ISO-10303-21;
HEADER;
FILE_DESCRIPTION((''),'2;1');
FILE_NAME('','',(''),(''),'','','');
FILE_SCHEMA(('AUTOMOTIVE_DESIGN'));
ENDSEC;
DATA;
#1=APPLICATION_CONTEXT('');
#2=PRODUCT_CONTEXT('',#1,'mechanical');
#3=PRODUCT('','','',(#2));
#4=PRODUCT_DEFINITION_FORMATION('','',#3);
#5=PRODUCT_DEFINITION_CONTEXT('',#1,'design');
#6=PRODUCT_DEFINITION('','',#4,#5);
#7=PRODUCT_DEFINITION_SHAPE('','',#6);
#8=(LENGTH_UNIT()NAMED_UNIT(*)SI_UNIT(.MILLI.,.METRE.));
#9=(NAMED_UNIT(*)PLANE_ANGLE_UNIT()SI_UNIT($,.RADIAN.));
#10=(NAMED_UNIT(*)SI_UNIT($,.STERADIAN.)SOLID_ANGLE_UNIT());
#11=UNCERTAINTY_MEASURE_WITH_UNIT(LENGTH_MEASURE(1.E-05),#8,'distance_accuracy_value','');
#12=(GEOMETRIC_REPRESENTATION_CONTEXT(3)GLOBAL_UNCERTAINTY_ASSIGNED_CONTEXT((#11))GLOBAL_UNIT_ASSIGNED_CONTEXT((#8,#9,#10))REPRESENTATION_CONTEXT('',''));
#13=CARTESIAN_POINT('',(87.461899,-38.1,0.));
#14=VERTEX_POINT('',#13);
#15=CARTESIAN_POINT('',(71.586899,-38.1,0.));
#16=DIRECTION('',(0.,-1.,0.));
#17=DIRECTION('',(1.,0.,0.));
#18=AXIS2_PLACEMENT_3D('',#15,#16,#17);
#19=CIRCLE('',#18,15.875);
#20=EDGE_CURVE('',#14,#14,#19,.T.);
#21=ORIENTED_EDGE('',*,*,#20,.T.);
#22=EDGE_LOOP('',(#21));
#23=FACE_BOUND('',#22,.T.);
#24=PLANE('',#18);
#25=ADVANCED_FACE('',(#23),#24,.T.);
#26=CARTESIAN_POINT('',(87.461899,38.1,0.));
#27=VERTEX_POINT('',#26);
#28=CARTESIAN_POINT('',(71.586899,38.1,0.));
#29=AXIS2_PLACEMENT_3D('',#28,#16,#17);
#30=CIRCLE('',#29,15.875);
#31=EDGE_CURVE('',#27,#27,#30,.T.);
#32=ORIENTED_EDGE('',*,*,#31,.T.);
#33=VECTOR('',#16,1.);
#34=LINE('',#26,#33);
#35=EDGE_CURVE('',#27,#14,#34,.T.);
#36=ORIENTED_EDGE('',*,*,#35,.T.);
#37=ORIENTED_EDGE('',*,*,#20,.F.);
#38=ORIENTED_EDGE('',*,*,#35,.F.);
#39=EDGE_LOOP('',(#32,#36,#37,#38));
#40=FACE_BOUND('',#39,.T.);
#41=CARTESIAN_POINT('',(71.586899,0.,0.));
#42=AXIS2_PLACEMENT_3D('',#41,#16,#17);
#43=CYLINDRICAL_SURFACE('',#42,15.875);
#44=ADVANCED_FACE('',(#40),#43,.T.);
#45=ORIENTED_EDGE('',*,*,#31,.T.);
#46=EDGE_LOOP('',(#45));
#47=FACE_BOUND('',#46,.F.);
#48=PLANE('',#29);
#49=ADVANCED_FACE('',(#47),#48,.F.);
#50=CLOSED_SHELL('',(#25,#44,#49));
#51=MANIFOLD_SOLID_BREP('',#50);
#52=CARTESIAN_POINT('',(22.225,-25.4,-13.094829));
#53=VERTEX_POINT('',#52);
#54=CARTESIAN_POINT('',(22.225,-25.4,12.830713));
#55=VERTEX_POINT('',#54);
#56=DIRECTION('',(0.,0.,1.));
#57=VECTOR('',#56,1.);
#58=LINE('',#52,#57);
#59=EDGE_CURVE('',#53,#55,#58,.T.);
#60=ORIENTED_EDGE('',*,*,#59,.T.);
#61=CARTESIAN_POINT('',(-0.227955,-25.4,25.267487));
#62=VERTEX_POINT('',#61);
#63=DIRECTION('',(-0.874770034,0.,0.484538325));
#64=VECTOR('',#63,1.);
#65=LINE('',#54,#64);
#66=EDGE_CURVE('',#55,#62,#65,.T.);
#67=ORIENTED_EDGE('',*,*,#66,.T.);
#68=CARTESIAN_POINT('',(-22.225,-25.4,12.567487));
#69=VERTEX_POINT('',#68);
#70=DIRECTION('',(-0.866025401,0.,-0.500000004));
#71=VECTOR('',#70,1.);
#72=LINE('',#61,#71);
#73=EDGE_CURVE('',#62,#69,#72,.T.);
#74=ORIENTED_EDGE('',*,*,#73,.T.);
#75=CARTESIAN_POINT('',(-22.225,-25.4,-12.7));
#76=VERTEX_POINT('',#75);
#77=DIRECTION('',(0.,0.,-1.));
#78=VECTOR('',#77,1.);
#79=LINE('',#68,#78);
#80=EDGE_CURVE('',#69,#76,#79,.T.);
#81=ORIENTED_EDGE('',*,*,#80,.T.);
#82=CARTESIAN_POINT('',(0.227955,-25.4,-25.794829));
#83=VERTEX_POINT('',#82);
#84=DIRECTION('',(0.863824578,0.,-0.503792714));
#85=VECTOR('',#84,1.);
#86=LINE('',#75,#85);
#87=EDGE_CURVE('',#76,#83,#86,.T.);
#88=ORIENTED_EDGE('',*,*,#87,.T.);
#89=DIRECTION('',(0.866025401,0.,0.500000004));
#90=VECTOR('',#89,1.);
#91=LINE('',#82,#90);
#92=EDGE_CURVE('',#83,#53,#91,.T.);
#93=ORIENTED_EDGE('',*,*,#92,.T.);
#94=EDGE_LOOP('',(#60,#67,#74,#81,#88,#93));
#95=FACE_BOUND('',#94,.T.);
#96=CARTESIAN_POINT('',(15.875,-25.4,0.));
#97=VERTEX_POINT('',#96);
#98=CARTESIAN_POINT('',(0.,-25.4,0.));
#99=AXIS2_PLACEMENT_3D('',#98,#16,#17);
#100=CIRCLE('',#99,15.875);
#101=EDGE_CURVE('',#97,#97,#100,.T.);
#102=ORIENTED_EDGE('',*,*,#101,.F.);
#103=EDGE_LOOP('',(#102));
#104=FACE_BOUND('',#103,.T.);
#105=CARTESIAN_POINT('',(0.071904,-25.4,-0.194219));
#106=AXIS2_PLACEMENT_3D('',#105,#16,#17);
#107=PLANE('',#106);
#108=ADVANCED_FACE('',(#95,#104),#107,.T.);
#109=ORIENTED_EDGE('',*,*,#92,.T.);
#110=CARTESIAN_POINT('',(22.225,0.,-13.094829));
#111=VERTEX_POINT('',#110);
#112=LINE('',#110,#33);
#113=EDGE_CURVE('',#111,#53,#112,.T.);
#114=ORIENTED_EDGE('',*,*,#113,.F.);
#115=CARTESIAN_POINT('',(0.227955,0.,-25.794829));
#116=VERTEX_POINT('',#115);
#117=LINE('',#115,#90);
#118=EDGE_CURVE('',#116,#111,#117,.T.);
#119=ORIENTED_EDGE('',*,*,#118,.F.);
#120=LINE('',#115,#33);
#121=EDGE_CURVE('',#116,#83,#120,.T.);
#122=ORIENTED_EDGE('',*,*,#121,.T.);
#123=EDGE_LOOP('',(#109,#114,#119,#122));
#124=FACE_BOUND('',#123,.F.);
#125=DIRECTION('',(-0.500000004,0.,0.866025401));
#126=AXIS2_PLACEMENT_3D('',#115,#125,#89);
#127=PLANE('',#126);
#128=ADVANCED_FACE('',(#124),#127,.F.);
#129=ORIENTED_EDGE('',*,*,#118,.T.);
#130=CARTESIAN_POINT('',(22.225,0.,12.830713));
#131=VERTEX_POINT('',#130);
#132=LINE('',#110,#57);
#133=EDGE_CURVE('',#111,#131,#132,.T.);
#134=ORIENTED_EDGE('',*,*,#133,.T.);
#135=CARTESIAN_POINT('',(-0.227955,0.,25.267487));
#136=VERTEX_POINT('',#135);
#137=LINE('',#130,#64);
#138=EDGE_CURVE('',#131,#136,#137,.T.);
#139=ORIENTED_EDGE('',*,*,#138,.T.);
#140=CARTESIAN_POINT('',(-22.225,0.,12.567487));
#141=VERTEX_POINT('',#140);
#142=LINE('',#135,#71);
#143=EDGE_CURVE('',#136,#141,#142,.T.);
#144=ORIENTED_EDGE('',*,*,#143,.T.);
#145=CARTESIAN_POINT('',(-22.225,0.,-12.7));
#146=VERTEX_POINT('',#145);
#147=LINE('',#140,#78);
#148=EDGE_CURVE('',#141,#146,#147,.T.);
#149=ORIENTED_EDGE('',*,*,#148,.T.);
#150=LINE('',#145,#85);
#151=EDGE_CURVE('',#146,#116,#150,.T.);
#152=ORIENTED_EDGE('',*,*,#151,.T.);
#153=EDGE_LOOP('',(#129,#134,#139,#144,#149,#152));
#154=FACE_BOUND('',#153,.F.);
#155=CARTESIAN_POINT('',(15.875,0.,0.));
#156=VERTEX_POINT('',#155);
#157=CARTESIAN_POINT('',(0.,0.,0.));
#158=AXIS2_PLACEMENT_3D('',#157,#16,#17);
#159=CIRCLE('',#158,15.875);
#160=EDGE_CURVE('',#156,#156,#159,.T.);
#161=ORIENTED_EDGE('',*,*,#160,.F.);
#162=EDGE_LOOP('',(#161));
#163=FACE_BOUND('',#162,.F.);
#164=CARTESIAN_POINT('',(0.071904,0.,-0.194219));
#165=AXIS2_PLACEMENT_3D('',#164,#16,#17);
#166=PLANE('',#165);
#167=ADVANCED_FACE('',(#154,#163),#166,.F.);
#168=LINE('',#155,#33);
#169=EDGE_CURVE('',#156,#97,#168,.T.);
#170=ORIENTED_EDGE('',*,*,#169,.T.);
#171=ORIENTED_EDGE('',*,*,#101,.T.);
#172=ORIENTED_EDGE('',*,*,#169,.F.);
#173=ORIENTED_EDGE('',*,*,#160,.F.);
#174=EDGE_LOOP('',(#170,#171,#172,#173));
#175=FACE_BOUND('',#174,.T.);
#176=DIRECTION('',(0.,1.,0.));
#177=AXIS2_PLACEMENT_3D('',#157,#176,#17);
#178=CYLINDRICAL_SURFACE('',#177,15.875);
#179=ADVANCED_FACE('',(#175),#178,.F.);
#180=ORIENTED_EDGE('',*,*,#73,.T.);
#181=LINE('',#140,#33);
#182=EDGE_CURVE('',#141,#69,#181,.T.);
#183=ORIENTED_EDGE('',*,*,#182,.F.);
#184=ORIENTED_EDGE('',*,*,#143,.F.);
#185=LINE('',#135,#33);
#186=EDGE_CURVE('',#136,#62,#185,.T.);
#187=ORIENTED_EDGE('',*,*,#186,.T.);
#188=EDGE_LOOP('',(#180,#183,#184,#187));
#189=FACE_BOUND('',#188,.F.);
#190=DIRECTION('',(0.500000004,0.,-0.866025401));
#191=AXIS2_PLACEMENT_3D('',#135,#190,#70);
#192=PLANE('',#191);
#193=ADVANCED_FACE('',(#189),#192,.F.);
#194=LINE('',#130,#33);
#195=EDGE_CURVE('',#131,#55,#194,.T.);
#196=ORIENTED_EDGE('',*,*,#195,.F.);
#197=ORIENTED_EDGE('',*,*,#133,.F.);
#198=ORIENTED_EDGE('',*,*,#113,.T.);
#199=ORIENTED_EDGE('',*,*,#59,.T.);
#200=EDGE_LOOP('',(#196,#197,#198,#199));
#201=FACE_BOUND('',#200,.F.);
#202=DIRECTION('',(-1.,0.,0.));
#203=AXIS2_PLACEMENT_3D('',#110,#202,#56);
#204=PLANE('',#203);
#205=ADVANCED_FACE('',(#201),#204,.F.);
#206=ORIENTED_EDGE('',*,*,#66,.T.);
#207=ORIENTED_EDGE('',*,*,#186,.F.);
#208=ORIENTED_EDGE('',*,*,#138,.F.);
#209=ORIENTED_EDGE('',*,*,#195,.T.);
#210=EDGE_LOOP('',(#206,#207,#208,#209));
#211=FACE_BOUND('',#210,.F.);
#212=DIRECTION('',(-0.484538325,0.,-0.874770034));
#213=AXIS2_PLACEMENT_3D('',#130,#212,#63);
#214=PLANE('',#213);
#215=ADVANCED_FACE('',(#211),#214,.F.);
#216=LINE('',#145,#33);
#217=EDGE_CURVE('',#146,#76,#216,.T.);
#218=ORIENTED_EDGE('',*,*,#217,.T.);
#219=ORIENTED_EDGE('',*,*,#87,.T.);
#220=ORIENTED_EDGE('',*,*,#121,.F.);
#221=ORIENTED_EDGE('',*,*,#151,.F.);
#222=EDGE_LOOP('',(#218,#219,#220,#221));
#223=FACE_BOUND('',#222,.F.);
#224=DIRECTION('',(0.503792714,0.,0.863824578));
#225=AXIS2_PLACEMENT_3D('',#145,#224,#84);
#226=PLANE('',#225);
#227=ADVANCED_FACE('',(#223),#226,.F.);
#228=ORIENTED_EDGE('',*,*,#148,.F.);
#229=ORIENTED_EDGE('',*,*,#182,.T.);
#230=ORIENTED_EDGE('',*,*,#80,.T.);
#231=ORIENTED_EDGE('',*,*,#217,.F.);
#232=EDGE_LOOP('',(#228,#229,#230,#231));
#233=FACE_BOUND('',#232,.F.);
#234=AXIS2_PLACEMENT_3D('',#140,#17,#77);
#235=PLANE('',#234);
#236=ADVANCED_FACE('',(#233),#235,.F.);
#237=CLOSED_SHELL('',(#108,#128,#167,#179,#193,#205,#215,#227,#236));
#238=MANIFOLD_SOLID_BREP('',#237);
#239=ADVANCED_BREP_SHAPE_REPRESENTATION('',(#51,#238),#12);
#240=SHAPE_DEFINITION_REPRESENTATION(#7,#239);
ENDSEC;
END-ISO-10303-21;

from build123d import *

# Parameters (mm, degrees)
F0_R     = 15.875
F1_DEPTH = 25.4
F2_DEPTH = 38.1


with BuildPart() as f1:
    # F0 (on Front) → F1 (new body)
    with BuildSketch(Plane.XZ):
        Polygon((-0.227955, 25.267487), (-22.225, 12.567487), (-22.225, -12.7), (0.227955, -25.794829), (22.225, -13.094829), (22.225, 12.830713), align=None)
        Circle(F0_R, mode=Mode.SUBTRACT)
    extrude(amount=F1_DEPTH)


with BuildPart() as f2:
    # F0 (on Front) → F2 (new body, symmetric)
    with BuildSketch(Plane.XZ):
        with Locations((71.586899, 0)):
            Circle(F0_R)
    extrude(amount=F2_DEPTH, both=True)


solid = Compound([f1.part, f2.part])
